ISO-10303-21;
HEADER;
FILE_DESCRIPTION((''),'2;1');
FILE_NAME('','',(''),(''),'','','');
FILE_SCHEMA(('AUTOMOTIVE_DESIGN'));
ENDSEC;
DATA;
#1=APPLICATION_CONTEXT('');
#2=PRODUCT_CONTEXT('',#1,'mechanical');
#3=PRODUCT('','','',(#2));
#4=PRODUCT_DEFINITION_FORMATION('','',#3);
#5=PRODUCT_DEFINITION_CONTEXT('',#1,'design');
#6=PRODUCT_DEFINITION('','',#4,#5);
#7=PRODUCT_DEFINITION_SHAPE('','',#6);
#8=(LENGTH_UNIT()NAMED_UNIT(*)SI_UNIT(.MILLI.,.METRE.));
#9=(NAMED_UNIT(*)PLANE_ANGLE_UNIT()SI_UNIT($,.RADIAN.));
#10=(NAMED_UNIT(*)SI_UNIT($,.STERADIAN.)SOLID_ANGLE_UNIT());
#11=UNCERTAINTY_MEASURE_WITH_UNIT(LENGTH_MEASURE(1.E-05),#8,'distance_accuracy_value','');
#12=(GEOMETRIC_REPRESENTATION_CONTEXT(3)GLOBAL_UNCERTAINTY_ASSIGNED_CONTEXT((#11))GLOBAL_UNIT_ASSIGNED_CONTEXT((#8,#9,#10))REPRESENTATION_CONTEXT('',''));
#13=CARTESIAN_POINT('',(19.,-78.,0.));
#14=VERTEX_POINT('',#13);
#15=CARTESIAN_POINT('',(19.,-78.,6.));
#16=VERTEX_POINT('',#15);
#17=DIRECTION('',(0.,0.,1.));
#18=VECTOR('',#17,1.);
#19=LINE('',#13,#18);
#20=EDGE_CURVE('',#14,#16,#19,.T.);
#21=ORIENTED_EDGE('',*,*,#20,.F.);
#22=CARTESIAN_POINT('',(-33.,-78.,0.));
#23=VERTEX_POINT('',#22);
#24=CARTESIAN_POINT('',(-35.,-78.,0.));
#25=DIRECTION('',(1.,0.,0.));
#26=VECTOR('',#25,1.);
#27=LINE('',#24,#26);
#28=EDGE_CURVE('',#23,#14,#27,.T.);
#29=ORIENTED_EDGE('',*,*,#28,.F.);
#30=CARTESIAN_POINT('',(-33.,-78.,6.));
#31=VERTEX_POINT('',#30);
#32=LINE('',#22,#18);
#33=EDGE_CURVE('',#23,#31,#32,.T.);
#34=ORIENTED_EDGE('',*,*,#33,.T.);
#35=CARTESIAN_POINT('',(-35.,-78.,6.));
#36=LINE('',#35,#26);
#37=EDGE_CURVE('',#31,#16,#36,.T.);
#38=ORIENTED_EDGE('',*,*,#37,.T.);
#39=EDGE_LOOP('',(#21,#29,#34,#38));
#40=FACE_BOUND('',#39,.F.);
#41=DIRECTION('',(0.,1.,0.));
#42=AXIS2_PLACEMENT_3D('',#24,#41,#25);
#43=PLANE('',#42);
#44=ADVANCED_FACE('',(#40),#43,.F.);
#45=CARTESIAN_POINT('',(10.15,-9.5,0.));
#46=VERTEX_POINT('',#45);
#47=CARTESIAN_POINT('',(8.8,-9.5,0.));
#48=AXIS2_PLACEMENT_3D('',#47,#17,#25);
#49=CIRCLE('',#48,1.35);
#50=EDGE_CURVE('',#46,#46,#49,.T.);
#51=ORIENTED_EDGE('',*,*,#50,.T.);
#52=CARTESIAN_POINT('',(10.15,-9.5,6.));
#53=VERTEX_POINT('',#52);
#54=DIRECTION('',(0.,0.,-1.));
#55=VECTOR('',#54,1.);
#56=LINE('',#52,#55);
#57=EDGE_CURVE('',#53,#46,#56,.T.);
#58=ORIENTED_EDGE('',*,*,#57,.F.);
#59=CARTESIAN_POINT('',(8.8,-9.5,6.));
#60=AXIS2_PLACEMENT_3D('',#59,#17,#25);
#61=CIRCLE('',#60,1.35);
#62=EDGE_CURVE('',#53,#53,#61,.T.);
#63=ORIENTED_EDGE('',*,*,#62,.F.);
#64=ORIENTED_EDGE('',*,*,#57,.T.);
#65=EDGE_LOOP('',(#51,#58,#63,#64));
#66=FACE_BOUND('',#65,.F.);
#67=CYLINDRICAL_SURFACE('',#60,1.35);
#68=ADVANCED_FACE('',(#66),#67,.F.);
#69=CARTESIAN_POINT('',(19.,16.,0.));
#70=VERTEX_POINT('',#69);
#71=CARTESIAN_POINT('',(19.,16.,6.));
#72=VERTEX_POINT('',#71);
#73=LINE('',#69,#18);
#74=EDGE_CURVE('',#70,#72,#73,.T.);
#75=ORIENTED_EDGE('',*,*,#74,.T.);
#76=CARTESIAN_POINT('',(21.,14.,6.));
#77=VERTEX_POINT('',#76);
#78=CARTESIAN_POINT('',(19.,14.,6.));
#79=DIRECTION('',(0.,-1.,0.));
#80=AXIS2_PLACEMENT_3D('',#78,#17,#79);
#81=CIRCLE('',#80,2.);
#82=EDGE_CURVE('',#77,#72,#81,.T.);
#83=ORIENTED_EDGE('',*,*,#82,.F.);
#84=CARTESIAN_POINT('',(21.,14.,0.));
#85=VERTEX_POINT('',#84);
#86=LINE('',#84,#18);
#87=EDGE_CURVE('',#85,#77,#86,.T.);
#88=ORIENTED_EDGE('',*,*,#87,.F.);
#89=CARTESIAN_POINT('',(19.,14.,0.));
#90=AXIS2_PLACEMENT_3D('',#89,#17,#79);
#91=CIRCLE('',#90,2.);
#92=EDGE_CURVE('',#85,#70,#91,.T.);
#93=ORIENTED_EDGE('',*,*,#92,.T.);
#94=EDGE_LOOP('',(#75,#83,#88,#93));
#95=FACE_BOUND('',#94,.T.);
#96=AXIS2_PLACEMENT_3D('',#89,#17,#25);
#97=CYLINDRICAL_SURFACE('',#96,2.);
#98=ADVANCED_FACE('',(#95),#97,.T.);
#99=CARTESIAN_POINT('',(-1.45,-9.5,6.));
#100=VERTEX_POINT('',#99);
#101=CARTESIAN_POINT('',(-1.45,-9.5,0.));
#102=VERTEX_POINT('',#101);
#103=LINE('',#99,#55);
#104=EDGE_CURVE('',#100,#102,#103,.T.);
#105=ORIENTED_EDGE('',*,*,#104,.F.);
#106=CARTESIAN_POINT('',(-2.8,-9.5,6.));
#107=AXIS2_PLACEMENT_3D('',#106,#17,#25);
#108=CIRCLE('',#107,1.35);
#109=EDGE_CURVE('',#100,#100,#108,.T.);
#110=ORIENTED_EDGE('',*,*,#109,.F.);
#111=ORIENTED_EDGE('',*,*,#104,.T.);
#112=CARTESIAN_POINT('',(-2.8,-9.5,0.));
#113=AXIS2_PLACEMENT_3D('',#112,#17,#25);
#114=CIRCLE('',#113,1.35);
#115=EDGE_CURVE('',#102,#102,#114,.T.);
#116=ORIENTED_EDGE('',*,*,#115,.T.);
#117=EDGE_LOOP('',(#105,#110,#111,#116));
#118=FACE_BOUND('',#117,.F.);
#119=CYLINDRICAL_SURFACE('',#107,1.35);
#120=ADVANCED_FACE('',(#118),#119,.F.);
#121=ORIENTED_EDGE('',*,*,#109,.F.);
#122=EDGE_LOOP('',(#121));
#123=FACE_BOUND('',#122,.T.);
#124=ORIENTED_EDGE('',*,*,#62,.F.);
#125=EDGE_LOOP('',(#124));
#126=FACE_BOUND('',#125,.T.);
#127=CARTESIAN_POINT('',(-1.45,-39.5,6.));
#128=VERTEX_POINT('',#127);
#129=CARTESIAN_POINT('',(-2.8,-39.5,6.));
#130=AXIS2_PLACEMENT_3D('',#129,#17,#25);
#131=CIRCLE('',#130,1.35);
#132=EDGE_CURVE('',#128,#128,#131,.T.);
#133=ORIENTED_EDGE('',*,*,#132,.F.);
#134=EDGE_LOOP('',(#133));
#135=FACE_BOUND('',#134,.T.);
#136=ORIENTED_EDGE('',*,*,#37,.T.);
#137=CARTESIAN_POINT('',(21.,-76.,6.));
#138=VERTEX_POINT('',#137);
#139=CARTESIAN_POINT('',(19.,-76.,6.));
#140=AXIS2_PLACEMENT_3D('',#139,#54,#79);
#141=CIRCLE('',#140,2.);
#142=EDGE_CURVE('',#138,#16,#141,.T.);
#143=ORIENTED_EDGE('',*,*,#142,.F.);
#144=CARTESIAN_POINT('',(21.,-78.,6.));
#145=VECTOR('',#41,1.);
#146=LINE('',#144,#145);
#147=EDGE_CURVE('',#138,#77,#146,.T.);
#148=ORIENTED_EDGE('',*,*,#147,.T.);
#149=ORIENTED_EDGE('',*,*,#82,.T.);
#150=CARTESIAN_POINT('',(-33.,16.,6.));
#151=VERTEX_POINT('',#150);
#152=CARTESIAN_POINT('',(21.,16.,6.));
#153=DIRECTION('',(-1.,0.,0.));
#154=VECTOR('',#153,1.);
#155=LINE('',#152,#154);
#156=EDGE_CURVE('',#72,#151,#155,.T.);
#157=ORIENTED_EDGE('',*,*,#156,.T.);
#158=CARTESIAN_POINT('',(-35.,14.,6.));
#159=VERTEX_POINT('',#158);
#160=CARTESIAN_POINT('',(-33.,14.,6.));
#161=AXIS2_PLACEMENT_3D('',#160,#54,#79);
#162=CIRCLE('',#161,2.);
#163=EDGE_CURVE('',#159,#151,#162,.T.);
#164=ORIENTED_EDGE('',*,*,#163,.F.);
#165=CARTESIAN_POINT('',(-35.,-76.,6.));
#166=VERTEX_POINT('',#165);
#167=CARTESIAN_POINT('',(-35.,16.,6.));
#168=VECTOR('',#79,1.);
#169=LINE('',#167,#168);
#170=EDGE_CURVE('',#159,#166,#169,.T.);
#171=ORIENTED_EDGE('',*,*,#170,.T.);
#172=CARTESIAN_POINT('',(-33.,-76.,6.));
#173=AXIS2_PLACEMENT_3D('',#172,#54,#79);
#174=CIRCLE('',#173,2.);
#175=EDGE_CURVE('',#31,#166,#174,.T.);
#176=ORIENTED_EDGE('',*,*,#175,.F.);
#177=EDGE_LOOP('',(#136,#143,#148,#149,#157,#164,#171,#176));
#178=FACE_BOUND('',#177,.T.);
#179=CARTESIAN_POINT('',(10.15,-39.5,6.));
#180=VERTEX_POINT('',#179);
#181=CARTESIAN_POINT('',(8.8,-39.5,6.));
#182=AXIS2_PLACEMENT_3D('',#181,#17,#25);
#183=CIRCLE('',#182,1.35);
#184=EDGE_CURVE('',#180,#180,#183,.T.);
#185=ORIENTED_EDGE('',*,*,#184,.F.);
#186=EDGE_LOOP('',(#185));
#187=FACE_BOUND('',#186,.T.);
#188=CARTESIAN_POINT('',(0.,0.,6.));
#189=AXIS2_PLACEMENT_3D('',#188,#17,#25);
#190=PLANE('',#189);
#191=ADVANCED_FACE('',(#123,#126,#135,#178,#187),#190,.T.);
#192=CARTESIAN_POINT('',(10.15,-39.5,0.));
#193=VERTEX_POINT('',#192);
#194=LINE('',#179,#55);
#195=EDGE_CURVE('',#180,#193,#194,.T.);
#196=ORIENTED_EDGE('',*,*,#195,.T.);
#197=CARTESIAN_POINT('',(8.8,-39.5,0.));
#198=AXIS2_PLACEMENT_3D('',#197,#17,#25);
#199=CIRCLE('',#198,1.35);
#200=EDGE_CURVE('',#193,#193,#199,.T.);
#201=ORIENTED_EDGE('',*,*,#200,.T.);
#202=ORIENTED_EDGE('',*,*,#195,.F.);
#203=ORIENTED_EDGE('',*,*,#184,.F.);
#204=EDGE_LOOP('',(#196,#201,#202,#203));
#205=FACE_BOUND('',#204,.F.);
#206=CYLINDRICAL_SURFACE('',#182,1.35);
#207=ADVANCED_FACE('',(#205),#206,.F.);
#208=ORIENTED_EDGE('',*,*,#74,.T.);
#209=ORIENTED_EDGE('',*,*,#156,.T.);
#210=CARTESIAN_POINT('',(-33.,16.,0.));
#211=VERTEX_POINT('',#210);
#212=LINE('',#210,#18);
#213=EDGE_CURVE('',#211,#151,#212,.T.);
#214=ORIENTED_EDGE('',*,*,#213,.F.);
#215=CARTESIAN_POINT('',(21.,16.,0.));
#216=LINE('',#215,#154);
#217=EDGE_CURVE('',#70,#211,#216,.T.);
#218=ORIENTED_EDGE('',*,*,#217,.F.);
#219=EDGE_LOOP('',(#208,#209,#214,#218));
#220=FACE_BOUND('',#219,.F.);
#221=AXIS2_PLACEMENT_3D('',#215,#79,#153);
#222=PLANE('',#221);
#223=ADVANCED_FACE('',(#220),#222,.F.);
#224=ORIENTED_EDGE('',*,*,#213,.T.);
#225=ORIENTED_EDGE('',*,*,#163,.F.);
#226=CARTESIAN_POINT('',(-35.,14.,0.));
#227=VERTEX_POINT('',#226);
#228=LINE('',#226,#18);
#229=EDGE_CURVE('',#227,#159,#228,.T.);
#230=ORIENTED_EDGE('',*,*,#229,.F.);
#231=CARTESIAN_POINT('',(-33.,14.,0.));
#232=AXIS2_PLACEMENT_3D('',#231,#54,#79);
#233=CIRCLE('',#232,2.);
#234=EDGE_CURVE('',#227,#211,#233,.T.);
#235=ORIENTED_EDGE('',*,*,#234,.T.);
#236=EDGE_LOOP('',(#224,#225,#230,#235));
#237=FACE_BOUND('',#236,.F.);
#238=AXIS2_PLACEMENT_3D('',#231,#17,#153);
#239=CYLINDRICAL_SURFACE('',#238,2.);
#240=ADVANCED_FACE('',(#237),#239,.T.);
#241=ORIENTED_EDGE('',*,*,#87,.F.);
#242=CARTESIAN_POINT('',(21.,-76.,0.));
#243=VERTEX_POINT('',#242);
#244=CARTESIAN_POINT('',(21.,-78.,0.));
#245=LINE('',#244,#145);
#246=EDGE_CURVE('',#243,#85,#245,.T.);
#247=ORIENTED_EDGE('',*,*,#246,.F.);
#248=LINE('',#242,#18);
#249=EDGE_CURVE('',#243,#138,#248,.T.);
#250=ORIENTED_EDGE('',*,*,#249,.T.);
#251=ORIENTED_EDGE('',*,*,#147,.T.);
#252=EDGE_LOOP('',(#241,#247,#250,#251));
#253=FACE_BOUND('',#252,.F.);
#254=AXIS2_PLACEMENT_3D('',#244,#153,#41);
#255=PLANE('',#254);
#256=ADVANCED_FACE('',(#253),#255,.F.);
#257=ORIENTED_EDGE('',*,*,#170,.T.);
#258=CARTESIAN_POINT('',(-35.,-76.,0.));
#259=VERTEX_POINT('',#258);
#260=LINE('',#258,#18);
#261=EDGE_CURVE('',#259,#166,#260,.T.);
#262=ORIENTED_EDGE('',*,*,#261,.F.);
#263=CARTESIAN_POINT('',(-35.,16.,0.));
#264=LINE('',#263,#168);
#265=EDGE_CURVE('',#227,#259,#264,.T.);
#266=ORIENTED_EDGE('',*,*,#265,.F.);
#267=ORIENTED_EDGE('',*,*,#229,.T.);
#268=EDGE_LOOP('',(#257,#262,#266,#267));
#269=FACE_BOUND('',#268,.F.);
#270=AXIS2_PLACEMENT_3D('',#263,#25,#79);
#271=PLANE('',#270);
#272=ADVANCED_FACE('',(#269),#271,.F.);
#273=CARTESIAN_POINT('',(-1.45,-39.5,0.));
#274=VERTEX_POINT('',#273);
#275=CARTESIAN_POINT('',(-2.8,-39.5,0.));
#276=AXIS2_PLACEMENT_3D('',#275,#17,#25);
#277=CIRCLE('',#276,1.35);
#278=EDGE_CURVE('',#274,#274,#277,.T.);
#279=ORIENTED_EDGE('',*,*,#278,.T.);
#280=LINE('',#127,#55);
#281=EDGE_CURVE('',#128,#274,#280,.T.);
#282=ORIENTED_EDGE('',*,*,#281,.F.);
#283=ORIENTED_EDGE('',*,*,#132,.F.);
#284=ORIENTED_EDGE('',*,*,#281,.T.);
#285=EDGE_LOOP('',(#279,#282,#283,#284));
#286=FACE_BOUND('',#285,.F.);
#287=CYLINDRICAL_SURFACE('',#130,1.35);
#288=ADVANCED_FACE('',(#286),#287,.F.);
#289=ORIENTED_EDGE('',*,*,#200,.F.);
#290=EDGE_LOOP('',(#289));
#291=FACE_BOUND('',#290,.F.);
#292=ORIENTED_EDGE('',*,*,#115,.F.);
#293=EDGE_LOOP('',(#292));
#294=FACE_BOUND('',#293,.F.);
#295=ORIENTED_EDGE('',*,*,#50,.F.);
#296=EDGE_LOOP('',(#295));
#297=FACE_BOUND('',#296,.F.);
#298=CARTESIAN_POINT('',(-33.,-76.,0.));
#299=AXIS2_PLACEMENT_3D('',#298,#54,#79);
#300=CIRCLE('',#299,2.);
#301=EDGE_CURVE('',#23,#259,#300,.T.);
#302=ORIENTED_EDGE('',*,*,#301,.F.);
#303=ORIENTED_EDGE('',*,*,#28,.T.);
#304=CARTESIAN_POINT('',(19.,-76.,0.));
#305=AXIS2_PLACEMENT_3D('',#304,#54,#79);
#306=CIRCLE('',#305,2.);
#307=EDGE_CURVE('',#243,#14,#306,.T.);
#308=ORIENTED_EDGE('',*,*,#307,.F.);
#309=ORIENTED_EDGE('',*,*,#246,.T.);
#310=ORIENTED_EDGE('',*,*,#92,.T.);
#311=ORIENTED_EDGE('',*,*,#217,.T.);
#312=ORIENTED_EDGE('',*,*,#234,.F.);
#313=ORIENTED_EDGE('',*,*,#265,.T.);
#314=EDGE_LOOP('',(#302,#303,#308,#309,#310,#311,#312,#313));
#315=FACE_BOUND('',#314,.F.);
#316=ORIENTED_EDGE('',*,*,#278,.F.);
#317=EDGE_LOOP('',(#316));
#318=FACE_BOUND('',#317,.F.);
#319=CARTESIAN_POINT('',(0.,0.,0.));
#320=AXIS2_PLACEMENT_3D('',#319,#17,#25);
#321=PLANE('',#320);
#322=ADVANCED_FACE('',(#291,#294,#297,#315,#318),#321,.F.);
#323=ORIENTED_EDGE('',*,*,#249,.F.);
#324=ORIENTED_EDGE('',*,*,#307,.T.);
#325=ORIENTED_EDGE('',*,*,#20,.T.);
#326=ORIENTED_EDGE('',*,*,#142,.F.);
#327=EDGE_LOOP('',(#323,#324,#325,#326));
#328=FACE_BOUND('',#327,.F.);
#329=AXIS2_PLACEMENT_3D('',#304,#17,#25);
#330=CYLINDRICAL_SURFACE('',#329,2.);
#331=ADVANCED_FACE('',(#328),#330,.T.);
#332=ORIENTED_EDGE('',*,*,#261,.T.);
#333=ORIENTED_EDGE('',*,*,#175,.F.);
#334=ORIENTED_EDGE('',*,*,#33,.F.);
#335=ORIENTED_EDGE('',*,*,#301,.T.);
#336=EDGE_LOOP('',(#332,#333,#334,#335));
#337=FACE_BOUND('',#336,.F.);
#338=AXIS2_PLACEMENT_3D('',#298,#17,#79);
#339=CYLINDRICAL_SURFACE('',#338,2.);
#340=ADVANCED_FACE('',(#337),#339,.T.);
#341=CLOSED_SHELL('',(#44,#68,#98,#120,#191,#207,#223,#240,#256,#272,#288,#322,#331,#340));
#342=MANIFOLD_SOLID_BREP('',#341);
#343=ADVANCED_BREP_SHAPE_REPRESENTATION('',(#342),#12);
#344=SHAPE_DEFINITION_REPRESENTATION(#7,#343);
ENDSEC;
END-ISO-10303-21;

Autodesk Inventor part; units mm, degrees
ref_plane "YZ Plane" through (0, 0, 0) normal (1, 0, 0) x (0, 1, 0)
ref_plane "XZ Plane" through (0, 0, 0) normal (0, 1, 0) x (-1, 0, 0)
ref_plane "XY Plane" through (0, 0, 0) normal (0, 0, 1) x (1, 0, 0)
sketch "스케치1" plane through (0, 0, 0) normal (0, 0, 1) x (1, 0, 0)
  circle A0 centre (11, 3) radius 1.35 projected
  circle A1 centre (-5, 3) radius 1.35 projected
  line L0 (0, 0) -> (6, 0) projected
  line L1 (6, 0) -> (6, 6) projected
  line L2 (0, 6) -> (6, 6) projected
  line L3 (0, 0) -> (0, 6) projected
  circle A2 centre (11, -53.9) radius 1.35 projected
  circle A3 centre (-5, -53.9) radius 1.35 projected
  line L4 (0, -56.9) -> (6, -56.9) projected
  line L5 (6, -56.9) -> (6, -50.9) projected
  line L6 (0, -50.9) -> (6, -50.9) projected
  line L7 (0, -56.9) -> (0, -50.9) projected
  line L8 (21, 16) -> (-35, 16)
  line L9 (-35, 16) -> (-35, -78)
  line L10 (-35, -78) -> (21, -78)
  line L11 (21, -78) -> (21, 16)
  circle A4 centre (11, 3) radius 1.35
  circle A5 centre (-5, 3) radius 1.35
  circle A6 centre (11, -53.9) radius 1.35
  circle A7 centre (-5, -53.9) radius 1.35
  line L12 (-0.05, 6.05) -> (6.05, 6.05)
  line L13 (6.05, 6.05) -> (6.05, -0.05)
  line L14 (6.05, -0.05) -> (-0.05, -0.05)
  line L15 (-0.05, -0.05) -> (-0.05, 6.05)
  line L16 (-0.05, 6.05) -> (6.05, -0.05) construction
  line L17 (6.05, 6.05) -> (-0.05, -0.05) construction
  line L18 (-0.05, -50.85) -> (6.05, -50.85)
  line L19 (6.05, -50.85) -> (6.05, -56.95)
  line L20 (6.05, -56.95) -> (-0.05, -56.95)
  line L21 (-0.05, -56.95) -> (-0.05, -50.85)
  line L22 (-0.05, -50.85) -> (6.05, -56.95) construction
  line L23 (6.05, -50.85) -> (-0.05, -56.95) construction
  point P0 (3, 3)
  point P1 (3, -53.9)
  dimension "d0" = 56
  dimension "d1" = 94
  dimension "d2" = 2.7
  dimension "d3" = 2.7
  dimension "d4" = 2.7
  dimension "d5" = 2.7
  dimension "d6" = 6.1
  dimension "d7" = 6.1
  dimension "d8" = 6.1
  dimension "d9" = 6.1
extrude "돌출1" add sketch "스케치1" along normal blind 6 contours L11 L10 L9 L8
fillet "모깎기1" radius 2 4 edges at (-35, 16, 3) (21, 16, 3) (-35, -78, 3) (21, -78, 3)
sketch "스케치3" plane through (0, 0, 6) normal (0, 0, 1) x (1, 0, 0)
  line L0 (-0.05, 6.05) -> (6.05, 6.05) projected
  line L1 (6.05, 6.05) -> (6.05, -0.05) projected
  line L2 (-0.05, -0.05) -> (-0.05, 6.05) projected
  line L3 (6.05, -0.05) -> (-0.05, -0.05) projected
  line L4 (-2.05, -0.05) -> (8.05, -0.05)
  line L5 (8.05, -0.05) -> (8.05, 6.05)
  line L6 (8.05, 6.05) -> (-2.05, 6.05)
  line L7 (-2.05, 6.05) -> (-2.05, -0.05)
  line L8 (-2.05, -0.05) -> (8.05, 6.05) construction
  line L9 (8.05, -0.05) -> (-2.05, 6.05) construction
  line L10 (-0.05, -50.85) -> (6.05, -50.85) projected
  line L11 (6.05, -50.85) -> (6.05, -56.95) projected
  line L12 (-0.05, -56.95) -> (-0.05, -50.85) projected
  line L13 (6.05, -56.95) -> (-0.05, -56.95) projected
  line L14 (-2.05, -56.95) -> (8.05, -56.95)
  line L15 (8.05, -56.95) -> (8.05, -50.85)
  line L16 (8.05, -50.85) -> (-2.05, -50.85)
  line L17 (-2.05, -50.85) -> (-2.05, -56.95)
  line L18 (-2.05, -56.95) -> (8.05, -50.85) construction
  line L19 (8.05, -56.95) -> (-2.05, -50.85) construction
  point P0 (0, 0)
  point P1 (3, 3)
  point P2 (3, -53.9)
  dimension "d13" = 10.1
  dimension "d14" = 10.1
  dimension "d15" = 6.1
extrude "돌출2" cut sketch "스케치3" against normal blind 10
sketch "스케치4" plane through (0, 0, 6) normal (0, 0, 1) x (1, 0, 0)
  line L0 (-2.05, 6.05) -> (8.05, 6.05) projected
  line L1 (8.05, 6.05) -> (8.05, -0.05) projected
  line L2 (-2.05, -0.05) -> (-2.05, 6.05) projected
  line L3 (8.05, -0.05) -> (-2.05, -0.05) projected
  line L4 (-2.05, -50.85) -> (8.05, -50.85) projected
  line L5 (8.05, -50.85) -> (8.05, -56.95) projected
  line L6 (8.05, -56.95) -> (-2.05, -56.95) projected
  line L7 (-2.05, -56.95) -> (-2.05, -50.85) projected
  circle A0 centre (-2.05, 6.05) radius 1
  circle A1 centre (8.05, 6.05) radius 1
  circle A2 centre (8.05, -0.05) radius 1
  circle A3 centre (-2.05, -0.05) radius 1
  circle A4 centre (-2.05, -50.85) radius 1
  circle A5 centre (8.05, -50.85) radius 1
  circle A6 centre (8.05, -56.95) radius 1
  circle A7 centre (-2.05, -56.95) radius 1
  point P0 (0, 0)
  dimension "d18" = 2
  dimension "d19" = 2
  dimension "d20" = 2
  dimension "d21" = 2
  dimension "d22" = 2
  dimension "d23" = 2
  dimension "d24" = 2
  dimension "d25" = 2
extrude "돌출3" cut sketch "스케치4" against normal blind 10 contours L2 A0 L0 | L0 A0 L2 | A1 L1 L0 | L0 L1 A1 | A3 L3 L2 | L2 L3 A3 | A2 L3 L1 | L1 L3 A2 | L7 A4 L4 | L4 A4 L7 | A5 L5 L4 | L4 L5 A5 | A7 L6 L7 | L7 L6 A7 | A6 L6 L5 | L5 L6 A6
sketch "스케치5" plane through (0, 0, 6) normal (0, 0, 1) x (1, 0, 0)
  line L0 (-1.05, 6.05) -> (7.05, 6.05) projected
  line L1 (8.05, 5.05) -> (8.05, 0.95) projected
  circle A0 centre (-2.8, -9.5) radius 1.35
  circle A1 centre (8.8, -9.5) radius 1.35
  circle A2 centre (-2.8, -39.5) radius 1.35
  circle A3 centre (8.8, -39.5) radius 1.35
  point P0 (0, 0)
  dimension "d32" = 2.7
  dimension "d33" = 2.7
  dimension "d34" = 2.7
  dimension "d35" = 2.7
extrude "돌출4" cut sketch "스케치5" against normal blind 10
sketch "스케치6" plane through (0, 0, 6) normal (0, 0, 1) x (1, 0, 0)
  line L0 (-11.1766, 9.439) -> (14.0881, 9.439)
  line L1 (14.0881, 9.439) -> (14.0881, -4.9308)
  line L2 (14.0881, -4.9308) -> (-11.1766, -4.9308)
  line L3 (-11.1766, -4.9308) -> (-11.1766, 9.439)
  line L4 (-9.3673, -48.6772) -> (15.6068, -48.6772)
  line L5 (15.6068, -48.6772) -> (15.6068, -64.9024)
  line L6 (15.6068, -64.9024) -> (-9.3673, -64.9024)
  line L7 (-9.3673, -64.9024) -> (-9.3673, -48.6772)
  point P0 (0, 0)
extrude "돌출5" add sketch "스케치6" against normal blind 6
properties part number "foot_ver2" material "PMMA 플라스틱"
